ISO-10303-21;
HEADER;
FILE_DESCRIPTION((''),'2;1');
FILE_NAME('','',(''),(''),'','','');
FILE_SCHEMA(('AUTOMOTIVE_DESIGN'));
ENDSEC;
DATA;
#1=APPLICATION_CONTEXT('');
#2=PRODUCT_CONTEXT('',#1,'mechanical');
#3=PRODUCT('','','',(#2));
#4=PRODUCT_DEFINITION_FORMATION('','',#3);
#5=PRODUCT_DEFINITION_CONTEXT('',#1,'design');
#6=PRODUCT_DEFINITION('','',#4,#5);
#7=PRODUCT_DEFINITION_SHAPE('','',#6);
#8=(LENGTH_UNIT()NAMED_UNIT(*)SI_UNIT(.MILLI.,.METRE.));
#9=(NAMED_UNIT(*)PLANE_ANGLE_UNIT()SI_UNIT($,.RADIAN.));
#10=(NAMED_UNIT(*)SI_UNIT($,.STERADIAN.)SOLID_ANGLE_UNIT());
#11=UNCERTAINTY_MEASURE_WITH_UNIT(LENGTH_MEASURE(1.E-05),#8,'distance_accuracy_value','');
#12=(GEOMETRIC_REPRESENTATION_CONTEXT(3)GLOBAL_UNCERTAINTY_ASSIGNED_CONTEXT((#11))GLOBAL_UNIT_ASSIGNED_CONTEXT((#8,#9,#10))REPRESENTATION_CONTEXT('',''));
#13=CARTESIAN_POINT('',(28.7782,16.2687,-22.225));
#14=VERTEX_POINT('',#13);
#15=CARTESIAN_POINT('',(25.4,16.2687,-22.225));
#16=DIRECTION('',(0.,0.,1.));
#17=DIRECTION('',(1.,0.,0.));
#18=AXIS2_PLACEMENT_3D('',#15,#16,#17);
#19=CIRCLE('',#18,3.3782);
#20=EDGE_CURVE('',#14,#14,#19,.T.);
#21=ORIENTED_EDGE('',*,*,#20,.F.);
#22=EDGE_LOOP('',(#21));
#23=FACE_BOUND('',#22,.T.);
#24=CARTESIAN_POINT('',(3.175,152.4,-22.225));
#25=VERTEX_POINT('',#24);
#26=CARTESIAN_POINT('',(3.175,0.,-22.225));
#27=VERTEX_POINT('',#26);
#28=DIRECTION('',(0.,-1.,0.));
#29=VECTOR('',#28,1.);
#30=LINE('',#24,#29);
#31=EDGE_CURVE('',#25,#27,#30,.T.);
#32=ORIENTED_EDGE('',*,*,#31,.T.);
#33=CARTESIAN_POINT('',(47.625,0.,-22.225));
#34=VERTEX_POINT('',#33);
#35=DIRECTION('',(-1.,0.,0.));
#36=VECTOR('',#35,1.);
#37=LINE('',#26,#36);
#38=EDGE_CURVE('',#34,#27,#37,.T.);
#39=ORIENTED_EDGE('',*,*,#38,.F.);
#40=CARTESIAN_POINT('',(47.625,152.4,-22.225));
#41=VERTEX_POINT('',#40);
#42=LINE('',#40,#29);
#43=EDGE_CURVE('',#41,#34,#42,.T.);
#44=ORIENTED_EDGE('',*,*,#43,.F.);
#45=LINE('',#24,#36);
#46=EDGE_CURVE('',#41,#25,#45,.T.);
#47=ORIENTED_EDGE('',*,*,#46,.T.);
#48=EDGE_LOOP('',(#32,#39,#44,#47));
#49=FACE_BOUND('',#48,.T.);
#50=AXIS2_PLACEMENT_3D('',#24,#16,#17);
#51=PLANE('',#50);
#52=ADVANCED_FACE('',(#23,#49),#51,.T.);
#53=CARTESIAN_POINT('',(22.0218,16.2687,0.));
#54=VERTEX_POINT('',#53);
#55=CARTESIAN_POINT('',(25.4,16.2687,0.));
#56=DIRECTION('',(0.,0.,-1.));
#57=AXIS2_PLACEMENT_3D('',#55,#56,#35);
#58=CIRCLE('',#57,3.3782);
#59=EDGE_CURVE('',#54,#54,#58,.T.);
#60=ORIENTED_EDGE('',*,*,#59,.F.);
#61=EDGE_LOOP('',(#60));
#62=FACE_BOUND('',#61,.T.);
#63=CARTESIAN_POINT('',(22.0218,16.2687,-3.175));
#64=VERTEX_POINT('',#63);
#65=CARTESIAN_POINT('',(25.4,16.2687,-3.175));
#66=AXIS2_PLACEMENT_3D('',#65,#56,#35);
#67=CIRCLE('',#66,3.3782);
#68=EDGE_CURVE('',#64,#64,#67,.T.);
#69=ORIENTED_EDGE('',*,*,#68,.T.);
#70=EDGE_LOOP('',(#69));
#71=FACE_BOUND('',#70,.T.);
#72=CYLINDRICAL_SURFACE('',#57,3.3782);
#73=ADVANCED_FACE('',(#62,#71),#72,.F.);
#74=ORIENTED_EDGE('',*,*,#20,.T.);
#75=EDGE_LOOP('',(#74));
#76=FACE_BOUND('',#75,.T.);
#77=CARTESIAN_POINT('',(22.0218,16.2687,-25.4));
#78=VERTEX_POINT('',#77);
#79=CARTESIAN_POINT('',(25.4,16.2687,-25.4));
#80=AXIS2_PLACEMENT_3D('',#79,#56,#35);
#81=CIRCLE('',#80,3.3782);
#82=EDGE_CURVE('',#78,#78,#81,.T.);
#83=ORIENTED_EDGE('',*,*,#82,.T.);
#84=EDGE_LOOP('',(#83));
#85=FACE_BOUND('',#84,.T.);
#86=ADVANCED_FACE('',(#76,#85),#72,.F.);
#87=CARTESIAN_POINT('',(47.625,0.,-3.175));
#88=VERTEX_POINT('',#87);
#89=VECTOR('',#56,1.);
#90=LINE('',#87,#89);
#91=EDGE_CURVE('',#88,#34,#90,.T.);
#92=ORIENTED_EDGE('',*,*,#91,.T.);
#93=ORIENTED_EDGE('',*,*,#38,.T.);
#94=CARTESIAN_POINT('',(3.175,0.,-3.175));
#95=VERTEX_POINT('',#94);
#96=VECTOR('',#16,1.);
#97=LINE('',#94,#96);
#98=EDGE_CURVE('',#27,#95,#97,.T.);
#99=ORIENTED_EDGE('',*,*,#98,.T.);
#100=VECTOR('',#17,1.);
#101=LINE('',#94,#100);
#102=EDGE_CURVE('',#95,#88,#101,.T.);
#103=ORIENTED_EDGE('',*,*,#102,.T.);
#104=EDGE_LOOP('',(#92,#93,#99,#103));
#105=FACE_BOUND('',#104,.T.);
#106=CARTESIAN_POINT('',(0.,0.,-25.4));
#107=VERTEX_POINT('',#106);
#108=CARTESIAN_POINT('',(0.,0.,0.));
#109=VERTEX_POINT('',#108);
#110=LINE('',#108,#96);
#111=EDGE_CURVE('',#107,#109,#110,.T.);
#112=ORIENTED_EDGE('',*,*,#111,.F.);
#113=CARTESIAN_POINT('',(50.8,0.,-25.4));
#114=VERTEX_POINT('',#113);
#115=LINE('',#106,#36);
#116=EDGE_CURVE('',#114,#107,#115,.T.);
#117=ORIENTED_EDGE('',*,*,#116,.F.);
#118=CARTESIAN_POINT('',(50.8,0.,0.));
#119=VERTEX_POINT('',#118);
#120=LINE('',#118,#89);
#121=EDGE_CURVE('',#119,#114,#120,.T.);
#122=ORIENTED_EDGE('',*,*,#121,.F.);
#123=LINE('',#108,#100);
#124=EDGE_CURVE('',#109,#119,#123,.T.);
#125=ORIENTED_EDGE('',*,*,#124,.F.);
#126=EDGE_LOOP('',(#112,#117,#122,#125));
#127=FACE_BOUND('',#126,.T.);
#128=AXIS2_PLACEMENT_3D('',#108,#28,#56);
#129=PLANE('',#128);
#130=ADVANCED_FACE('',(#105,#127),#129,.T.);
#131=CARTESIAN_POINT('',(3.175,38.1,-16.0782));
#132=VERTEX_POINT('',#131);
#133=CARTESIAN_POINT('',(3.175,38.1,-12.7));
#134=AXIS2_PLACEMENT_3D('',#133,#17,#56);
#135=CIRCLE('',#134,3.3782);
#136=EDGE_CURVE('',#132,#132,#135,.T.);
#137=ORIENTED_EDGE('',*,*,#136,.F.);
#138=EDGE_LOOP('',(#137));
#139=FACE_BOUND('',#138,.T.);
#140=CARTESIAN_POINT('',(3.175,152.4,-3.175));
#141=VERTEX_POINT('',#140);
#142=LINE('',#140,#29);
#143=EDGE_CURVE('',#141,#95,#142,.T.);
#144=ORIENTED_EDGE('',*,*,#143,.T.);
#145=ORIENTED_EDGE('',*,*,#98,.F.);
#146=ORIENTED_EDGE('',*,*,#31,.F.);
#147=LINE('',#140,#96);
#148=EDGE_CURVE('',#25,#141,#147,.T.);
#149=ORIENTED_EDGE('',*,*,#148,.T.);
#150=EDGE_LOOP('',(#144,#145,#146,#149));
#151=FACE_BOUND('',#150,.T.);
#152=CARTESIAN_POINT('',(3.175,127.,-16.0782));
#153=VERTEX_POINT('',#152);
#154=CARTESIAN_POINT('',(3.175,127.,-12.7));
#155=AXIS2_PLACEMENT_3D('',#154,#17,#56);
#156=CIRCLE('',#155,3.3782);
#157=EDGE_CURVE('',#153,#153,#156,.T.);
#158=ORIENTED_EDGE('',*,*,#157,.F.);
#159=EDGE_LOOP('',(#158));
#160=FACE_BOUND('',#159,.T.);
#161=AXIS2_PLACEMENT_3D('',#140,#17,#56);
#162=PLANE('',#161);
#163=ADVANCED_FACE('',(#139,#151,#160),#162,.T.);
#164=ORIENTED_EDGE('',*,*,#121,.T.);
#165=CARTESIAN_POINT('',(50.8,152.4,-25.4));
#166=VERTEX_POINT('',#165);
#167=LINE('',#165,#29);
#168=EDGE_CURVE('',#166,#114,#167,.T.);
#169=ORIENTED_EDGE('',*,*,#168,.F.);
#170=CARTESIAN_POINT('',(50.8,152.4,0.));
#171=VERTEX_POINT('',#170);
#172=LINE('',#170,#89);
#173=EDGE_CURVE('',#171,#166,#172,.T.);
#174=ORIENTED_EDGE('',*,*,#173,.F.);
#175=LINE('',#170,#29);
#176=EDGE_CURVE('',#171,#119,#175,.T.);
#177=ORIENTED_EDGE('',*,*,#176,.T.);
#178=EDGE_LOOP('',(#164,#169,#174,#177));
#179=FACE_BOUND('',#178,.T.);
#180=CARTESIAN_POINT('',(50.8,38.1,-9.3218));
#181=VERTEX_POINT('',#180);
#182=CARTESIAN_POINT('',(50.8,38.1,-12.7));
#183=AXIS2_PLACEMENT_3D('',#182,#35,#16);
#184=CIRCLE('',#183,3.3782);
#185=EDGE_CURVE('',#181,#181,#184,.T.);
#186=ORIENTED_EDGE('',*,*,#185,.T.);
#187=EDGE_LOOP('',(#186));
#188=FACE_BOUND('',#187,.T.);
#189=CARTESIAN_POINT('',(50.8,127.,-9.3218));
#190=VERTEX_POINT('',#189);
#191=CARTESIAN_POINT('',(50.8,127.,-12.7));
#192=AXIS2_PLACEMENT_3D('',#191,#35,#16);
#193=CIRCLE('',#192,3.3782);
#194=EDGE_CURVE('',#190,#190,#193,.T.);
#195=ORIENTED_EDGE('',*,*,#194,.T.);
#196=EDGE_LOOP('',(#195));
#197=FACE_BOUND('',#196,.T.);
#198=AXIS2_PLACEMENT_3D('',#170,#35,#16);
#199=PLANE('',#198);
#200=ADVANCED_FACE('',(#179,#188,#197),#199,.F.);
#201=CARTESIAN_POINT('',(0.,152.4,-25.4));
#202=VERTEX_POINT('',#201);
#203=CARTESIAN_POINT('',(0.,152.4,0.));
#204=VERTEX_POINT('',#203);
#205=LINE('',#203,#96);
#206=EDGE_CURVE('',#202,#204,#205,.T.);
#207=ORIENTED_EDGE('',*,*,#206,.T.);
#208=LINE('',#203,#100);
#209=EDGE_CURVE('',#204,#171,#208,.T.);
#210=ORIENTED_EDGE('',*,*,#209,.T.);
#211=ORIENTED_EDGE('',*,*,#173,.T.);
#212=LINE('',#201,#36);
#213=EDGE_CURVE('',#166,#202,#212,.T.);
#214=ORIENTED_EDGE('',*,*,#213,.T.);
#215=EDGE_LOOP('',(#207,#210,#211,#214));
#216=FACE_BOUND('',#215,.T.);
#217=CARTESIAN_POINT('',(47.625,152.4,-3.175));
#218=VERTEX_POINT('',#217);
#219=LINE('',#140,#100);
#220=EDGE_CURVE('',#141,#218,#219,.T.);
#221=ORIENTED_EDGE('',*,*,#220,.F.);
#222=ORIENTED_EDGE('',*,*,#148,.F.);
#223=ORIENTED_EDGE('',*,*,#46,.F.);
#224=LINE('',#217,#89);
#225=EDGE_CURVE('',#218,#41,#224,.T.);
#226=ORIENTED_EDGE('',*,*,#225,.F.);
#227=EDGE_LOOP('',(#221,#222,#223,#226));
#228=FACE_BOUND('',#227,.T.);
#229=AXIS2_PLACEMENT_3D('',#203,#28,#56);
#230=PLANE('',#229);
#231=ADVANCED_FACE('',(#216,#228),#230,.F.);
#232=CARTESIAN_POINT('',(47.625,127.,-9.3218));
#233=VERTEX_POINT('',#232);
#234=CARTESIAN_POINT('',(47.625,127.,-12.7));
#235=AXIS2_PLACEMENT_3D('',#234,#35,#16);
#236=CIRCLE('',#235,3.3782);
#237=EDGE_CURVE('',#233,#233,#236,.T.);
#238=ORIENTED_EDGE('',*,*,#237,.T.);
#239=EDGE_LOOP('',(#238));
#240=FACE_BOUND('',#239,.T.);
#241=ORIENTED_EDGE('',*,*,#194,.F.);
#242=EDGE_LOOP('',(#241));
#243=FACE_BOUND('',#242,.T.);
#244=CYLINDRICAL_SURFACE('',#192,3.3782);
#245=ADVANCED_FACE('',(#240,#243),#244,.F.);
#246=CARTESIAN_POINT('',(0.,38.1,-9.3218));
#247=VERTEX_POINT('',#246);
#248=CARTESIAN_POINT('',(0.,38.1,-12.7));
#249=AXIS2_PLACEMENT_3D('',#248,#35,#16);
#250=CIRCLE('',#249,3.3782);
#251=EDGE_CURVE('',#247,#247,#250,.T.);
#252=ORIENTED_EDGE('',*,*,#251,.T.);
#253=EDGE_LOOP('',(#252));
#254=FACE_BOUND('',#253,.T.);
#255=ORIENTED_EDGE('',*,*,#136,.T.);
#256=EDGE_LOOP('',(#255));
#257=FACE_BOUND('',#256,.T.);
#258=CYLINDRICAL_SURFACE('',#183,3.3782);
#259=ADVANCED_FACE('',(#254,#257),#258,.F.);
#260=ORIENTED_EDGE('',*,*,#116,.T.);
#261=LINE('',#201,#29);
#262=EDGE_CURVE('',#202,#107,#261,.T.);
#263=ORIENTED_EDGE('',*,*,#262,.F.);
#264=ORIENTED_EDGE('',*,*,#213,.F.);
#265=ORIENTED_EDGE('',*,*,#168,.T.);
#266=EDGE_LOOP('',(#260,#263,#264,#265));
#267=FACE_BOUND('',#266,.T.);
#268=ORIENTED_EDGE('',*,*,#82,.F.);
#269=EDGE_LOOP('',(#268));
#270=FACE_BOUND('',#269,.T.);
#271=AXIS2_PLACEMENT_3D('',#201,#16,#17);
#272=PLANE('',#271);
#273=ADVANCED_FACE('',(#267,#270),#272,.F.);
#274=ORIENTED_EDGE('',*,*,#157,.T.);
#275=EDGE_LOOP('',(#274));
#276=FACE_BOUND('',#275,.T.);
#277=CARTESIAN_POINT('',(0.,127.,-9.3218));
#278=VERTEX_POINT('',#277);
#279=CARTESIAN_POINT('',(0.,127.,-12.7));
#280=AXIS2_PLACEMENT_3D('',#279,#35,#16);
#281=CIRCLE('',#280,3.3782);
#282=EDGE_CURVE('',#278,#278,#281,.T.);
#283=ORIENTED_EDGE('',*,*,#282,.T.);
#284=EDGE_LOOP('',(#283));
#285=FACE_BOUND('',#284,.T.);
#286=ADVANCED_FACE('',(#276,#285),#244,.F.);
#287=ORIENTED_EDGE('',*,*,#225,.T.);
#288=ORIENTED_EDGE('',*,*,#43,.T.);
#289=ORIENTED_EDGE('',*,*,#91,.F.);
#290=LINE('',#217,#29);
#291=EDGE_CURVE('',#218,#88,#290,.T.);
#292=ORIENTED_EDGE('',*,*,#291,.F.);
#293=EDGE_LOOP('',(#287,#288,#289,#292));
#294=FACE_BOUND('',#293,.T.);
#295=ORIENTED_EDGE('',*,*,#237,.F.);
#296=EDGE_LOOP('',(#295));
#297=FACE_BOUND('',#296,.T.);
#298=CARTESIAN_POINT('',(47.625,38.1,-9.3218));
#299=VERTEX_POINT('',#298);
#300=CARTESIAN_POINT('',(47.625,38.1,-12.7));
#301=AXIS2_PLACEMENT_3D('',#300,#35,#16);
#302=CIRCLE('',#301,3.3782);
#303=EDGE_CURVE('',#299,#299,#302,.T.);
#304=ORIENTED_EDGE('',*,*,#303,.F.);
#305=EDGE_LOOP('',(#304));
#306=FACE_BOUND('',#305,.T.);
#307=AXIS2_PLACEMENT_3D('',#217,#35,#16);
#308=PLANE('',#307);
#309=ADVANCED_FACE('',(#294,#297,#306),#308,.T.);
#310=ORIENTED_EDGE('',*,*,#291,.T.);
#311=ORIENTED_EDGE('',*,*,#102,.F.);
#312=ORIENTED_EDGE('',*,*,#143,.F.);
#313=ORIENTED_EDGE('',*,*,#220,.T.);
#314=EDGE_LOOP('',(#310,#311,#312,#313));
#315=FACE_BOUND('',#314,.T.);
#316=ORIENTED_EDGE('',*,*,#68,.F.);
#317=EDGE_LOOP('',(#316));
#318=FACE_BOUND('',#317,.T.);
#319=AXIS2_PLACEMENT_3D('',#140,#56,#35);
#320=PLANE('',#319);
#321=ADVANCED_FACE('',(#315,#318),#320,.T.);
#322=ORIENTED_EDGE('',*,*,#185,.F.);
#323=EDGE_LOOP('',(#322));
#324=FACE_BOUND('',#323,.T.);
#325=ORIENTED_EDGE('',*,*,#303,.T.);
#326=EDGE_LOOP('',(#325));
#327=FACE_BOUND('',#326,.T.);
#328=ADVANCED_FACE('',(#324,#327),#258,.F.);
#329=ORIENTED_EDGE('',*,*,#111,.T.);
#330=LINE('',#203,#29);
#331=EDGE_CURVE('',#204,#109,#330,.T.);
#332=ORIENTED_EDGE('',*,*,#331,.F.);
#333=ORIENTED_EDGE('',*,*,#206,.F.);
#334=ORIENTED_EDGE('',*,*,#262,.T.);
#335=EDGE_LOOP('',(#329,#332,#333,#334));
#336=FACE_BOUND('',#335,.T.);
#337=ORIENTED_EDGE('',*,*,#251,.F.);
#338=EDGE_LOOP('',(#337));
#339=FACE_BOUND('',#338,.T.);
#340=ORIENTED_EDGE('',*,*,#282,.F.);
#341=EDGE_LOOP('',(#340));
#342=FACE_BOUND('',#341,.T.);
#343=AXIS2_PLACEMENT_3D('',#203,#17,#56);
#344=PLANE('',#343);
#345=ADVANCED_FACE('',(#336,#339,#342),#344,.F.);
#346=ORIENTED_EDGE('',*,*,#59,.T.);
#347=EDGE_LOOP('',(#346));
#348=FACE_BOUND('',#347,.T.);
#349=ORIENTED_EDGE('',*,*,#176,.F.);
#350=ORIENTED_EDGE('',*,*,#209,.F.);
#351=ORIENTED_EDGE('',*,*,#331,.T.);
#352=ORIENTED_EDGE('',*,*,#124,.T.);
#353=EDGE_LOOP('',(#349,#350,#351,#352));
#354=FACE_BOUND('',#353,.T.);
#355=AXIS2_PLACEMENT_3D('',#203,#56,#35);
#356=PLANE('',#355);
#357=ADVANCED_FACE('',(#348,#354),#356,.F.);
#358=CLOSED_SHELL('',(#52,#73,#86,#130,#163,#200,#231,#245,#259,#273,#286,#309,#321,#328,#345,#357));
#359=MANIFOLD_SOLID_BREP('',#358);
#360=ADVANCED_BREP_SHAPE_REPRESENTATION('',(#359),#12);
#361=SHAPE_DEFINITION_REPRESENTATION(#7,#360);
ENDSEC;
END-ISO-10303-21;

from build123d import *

# Parameters (mm, degrees)
SKETCH1_W           = 50.8
SKETCH1_H           = 25.4
SKETCH1_W_2         = 44.45
SKETCH1_H_2         = 19.05
BOSS_EXTRUDE1_DEPTH = 152.4
SKETCH2_R           = 3.3782
CUT_EXTRUDE1_DEPTH  = 51.8
SKETCH3_R           = 3.3782
CUT_EXTRUDE2_DEPTH  = 26.4


with BuildPart() as part:
    # Sketch1 → Boss-Extrude1 (new body)
    with BuildSketch(Plane(origin=(0, 0, 0), x_dir=(1, 0, 0), z_dir=(0, 1, 0))):
        with Locations((25.4, 12.7)):
            Rectangle(SKETCH1_W, SKETCH1_H)
        with Locations((25.4, 12.7)):
            Rectangle(SKETCH1_W_2, SKETCH1_H_2, mode=Mode.SUBTRACT)
    extrude(amount=BOSS_EXTRUDE1_DEPTH)

    # Sketch2 → Cut-Extrude1 (cut, through all)
    with BuildSketch(Plane.ZY):
        with Locations((-12.7, 127)):
            Circle(SKETCH2_R)
        with Locations((-12.7, 38.1)):
            Circle(SKETCH2_R)
    extrude(amount=-CUT_EXTRUDE1_DEPTH, mode=Mode.SUBTRACT)

    # Sketch3 → Cut-Extrude2 (cut, through all)
    with BuildSketch(Plane(origin=(0, 0, -25.4), x_dir=(-1, 0, 0), z_dir=(0, 0, -1))):
        with Locations((-25.4, 16.2687)):
            Circle(SKETCH3_R)
    extrude(amount=-CUT_EXTRUDE2_DEPTH, mode=Mode.SUBTRACT)


solid = part.part
